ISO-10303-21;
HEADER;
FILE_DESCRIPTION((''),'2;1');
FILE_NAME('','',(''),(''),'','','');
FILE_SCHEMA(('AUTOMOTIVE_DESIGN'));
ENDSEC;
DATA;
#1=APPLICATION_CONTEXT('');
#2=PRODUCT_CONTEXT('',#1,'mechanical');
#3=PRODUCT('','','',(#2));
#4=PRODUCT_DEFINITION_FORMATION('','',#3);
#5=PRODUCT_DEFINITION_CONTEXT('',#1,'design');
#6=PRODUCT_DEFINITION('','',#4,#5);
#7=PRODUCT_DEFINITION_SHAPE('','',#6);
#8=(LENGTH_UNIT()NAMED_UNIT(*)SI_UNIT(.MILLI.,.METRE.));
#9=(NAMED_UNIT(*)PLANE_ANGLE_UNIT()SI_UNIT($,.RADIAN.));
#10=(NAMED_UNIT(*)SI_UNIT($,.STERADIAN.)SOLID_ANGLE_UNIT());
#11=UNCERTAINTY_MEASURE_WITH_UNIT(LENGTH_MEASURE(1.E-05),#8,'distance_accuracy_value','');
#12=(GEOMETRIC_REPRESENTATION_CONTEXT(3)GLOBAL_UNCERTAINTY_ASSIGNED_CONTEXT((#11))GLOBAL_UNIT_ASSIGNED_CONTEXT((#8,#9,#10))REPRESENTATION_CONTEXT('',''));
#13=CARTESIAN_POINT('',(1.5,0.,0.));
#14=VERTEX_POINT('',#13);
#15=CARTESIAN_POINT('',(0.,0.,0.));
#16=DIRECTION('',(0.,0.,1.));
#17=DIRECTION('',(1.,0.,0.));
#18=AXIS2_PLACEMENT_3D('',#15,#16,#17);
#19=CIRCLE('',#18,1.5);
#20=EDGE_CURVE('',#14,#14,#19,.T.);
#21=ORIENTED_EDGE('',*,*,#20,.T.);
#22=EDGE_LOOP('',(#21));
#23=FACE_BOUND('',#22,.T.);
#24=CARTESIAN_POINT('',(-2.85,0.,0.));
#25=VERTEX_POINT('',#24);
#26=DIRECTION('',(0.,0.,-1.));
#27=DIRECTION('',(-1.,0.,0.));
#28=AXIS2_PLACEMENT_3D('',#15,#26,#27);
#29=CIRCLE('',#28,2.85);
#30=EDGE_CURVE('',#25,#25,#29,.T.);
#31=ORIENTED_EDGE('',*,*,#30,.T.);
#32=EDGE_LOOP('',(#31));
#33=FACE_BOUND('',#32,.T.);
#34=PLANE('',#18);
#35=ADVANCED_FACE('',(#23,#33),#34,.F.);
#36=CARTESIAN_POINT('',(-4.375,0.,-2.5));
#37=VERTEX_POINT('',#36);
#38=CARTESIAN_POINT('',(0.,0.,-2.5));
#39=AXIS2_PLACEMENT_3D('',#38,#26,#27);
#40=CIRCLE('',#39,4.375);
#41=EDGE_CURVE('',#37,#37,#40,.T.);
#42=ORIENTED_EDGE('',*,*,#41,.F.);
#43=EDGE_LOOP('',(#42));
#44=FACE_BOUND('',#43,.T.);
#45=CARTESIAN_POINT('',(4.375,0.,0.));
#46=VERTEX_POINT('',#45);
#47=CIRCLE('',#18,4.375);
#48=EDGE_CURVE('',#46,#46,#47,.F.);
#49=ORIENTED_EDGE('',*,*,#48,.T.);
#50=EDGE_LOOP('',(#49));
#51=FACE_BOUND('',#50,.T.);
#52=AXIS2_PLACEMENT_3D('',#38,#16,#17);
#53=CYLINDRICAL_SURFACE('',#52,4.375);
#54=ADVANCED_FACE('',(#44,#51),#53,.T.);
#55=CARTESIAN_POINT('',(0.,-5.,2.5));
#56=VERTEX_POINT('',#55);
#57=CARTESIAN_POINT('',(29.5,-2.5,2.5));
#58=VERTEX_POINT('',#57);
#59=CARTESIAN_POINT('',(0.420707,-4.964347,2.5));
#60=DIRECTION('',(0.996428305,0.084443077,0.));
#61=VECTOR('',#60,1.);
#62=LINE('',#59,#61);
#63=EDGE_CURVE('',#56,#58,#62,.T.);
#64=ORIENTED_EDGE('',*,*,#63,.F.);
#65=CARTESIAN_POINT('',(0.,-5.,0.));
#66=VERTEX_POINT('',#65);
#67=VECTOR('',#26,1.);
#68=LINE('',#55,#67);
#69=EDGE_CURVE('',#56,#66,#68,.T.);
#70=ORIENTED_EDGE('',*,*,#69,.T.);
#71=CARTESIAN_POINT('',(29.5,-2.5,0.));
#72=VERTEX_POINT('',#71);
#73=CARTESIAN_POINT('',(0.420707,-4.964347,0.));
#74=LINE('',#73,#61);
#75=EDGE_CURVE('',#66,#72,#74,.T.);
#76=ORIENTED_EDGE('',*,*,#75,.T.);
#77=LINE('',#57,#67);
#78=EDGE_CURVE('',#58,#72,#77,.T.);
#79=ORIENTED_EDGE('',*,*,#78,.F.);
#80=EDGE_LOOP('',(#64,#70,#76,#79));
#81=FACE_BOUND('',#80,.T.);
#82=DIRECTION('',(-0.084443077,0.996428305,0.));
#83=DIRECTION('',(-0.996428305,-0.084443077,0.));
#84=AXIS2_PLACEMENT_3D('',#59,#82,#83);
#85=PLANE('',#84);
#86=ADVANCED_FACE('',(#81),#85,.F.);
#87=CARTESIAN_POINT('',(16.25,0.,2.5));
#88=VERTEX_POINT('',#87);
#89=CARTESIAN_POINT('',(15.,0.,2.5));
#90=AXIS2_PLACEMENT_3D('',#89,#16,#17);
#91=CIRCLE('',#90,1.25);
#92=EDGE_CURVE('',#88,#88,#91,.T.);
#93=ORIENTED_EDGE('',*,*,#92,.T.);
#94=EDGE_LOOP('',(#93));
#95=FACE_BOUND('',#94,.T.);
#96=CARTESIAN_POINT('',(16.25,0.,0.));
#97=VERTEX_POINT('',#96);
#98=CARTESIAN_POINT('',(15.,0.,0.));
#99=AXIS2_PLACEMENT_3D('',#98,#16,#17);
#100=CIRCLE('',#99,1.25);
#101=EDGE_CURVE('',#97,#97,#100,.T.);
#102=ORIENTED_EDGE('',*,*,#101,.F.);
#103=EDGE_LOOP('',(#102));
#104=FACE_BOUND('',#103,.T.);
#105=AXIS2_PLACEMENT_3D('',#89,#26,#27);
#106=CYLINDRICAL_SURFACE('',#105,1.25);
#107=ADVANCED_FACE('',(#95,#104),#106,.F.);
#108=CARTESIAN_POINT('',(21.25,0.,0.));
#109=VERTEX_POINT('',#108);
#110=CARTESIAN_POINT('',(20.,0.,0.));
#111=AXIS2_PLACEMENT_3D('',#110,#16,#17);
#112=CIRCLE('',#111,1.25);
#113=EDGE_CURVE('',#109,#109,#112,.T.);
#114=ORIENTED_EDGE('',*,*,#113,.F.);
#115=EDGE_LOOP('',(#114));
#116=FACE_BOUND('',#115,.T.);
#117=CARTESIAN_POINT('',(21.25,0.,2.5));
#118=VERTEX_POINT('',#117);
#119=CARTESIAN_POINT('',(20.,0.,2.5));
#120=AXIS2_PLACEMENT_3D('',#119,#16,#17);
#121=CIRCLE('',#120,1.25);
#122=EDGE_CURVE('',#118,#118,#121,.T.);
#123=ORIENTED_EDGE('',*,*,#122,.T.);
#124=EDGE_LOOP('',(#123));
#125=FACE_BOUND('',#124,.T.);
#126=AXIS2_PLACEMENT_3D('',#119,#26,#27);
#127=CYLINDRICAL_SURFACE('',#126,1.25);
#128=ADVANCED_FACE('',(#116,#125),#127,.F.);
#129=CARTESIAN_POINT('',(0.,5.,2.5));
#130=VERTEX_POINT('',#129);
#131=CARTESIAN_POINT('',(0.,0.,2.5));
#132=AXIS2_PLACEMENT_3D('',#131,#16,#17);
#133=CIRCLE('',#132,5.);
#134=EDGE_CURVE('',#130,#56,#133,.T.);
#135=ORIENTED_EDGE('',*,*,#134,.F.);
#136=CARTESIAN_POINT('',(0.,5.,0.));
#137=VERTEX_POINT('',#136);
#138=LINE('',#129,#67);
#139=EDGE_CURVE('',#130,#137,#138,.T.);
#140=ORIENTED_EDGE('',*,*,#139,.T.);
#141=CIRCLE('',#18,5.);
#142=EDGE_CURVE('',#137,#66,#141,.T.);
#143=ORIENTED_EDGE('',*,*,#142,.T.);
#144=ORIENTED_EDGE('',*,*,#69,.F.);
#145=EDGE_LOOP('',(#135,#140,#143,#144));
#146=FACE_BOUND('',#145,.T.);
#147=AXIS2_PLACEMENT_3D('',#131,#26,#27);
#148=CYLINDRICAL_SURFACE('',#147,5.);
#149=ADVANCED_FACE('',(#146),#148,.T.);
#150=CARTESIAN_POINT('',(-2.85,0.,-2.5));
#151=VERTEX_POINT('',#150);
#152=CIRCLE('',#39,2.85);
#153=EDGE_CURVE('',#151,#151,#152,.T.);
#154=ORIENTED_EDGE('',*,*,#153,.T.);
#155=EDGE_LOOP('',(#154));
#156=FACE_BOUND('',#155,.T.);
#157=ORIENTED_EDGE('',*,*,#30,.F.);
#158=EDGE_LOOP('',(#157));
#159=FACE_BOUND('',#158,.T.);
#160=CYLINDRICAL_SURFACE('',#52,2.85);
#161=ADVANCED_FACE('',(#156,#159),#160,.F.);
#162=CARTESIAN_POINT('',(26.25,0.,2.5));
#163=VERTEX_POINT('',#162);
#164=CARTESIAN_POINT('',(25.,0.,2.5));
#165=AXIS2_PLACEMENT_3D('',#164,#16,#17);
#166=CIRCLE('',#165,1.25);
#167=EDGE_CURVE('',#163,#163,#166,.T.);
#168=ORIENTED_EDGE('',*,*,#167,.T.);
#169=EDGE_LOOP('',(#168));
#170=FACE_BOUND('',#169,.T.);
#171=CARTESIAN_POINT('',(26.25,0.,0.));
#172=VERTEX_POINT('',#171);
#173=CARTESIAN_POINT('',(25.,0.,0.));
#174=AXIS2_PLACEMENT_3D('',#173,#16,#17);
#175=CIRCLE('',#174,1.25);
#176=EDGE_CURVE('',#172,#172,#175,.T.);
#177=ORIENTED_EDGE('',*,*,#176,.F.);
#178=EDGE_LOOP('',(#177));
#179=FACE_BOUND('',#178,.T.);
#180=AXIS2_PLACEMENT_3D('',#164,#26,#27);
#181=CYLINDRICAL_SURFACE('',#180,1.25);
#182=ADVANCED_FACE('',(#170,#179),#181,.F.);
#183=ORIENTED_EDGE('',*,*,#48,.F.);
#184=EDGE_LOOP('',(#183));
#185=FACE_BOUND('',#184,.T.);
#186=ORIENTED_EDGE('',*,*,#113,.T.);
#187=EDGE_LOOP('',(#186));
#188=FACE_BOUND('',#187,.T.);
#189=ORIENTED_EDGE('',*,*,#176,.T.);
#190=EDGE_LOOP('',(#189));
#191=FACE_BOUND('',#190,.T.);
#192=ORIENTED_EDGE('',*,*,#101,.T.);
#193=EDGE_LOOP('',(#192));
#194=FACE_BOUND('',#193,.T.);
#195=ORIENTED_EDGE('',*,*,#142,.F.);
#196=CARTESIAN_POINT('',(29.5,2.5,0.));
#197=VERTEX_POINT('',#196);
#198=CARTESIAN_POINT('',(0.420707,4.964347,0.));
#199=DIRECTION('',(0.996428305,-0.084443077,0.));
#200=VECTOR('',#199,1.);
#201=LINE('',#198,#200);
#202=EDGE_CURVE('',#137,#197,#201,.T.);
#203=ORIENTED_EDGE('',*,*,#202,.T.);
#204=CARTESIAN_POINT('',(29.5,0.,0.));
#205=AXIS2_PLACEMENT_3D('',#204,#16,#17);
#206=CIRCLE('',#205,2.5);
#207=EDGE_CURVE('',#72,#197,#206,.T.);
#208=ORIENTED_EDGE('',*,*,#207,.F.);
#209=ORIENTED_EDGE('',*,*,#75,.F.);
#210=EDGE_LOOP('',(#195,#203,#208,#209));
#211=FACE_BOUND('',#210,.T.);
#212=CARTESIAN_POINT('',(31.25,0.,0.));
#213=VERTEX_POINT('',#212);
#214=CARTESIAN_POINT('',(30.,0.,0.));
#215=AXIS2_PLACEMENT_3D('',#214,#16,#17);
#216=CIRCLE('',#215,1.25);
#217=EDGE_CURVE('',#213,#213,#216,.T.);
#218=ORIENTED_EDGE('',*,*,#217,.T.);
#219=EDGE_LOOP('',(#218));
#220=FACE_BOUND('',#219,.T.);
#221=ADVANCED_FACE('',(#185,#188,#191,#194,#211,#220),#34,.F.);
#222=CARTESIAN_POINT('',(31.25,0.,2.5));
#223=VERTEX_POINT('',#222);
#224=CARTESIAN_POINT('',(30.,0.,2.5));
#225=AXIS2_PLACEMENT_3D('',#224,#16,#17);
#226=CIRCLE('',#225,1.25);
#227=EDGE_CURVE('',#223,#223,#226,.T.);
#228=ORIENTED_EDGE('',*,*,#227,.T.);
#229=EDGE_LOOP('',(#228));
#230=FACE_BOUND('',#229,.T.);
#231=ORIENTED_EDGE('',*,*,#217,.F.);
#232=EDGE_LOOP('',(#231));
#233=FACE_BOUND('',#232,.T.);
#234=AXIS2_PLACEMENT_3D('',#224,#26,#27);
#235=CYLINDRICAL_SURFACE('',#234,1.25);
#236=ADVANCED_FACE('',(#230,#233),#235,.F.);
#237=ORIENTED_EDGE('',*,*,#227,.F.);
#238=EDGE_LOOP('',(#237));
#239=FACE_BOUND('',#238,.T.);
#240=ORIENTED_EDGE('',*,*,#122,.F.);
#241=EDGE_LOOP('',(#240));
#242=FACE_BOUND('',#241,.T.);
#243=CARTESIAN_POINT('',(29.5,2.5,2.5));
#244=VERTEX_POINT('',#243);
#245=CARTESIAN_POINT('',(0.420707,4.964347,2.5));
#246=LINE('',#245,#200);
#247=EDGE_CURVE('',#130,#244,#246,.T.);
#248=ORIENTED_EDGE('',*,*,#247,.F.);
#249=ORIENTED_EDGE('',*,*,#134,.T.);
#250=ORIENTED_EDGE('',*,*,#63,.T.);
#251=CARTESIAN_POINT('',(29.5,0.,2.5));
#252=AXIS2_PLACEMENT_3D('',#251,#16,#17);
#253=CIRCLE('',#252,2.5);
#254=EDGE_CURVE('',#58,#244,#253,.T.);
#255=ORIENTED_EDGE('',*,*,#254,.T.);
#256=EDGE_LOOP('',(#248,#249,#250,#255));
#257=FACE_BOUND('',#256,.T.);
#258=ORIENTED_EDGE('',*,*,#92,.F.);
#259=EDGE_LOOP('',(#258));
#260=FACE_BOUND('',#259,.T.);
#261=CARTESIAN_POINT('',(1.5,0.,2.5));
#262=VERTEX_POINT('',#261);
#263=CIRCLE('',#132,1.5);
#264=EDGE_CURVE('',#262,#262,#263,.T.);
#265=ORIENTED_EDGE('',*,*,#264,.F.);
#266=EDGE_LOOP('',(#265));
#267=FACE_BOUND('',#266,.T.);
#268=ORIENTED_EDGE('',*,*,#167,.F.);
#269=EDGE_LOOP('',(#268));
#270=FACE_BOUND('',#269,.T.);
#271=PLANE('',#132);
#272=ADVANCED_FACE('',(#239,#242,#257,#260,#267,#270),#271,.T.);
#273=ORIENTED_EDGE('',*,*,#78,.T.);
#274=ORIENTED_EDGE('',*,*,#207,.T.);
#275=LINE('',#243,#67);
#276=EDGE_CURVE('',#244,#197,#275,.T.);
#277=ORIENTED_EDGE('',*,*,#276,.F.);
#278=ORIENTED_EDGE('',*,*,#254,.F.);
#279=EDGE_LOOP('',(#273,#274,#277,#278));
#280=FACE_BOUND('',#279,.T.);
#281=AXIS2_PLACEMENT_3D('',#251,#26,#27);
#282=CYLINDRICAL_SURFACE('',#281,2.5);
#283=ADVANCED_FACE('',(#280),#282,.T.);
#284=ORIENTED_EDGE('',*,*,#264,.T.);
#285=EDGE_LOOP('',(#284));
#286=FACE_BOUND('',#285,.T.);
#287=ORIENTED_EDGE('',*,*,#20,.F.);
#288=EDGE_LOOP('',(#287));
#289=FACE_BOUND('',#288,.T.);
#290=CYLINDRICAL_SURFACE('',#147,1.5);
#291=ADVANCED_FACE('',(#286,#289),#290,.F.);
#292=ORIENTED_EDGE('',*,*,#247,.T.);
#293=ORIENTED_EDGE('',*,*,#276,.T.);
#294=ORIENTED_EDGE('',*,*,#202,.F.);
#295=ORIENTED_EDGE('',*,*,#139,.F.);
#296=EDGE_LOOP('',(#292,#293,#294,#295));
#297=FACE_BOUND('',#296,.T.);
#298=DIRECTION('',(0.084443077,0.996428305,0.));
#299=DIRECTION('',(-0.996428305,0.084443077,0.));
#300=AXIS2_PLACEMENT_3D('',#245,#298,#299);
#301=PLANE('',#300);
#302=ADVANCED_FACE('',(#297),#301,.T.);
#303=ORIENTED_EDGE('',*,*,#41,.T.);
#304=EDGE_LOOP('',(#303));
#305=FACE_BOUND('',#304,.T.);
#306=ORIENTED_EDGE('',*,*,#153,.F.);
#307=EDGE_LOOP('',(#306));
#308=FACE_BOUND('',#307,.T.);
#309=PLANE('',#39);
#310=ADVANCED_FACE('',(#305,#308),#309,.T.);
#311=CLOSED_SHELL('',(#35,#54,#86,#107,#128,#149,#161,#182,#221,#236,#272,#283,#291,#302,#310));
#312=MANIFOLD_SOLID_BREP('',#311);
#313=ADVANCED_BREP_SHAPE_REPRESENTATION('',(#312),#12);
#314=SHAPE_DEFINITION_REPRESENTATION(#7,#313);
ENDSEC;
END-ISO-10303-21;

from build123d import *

# Parameters (mm, degrees)
SKETCH1_R           = 1.5
SKETCH1_R_2         = 1.25
BOSS_EXTRUDE1_DEPTH = 2.5
SKETCH2_R           = 4.375
SKETCH2_R_2         = 2.85
BOSS_EXTRUDE2_DEPTH = 2.5


with BuildPart() as part:
    # Sketch1 → Boss-Extrude1 (new body)
    with BuildSketch(Plane.XY):
        with BuildLine():
            Line((0.841414718, 4.928693668), (0, 5))
            ThreePointArc((0, 5), (-5, 0), (0, -5))
            Line((0, -5), (0.841414718, -4.928693668))
            Line((0.841414718, -4.928693668), (29.5, -2.5))
            ThreePointArc((29.5, -2.5), (32, 0), (29.5, 2.5))
            Line((29.5, 2.5), (0.841414718, 4.928693668))
        make_face()
        Circle(SKETCH1_R, mode=Mode.SUBTRACT)
        with Locations((15, 0)):
            Circle(SKETCH1_R_2, mode=Mode.SUBTRACT)
        with Locations((20, 0)):
            Circle(SKETCH1_R_2, mode=Mode.SUBTRACT)
        with Locations((25, 0)):
            Circle(SKETCH1_R_2, mode=Mode.SUBTRACT)
        with Locations((30, 0)):
            Circle(SKETCH1_R_2, mode=Mode.SUBTRACT)
    extrude(amount=BOSS_EXTRUDE1_DEPTH)

    # Sketch2 → Boss-Extrude2 (add)
    with BuildSketch(Plane(origin=(0, 0, 0), x_dir=(-1, 0, 0), z_dir=(0, 0, -1))):
        with Locations(Location((0, 0, 0), (0, 0, 180))):
            Circle(SKETCH2_R)
        Circle(SKETCH2_R_2, mode=Mode.SUBTRACT)
    extrude(amount=BOSS_EXTRUDE2_DEPTH)


solid = part.part
